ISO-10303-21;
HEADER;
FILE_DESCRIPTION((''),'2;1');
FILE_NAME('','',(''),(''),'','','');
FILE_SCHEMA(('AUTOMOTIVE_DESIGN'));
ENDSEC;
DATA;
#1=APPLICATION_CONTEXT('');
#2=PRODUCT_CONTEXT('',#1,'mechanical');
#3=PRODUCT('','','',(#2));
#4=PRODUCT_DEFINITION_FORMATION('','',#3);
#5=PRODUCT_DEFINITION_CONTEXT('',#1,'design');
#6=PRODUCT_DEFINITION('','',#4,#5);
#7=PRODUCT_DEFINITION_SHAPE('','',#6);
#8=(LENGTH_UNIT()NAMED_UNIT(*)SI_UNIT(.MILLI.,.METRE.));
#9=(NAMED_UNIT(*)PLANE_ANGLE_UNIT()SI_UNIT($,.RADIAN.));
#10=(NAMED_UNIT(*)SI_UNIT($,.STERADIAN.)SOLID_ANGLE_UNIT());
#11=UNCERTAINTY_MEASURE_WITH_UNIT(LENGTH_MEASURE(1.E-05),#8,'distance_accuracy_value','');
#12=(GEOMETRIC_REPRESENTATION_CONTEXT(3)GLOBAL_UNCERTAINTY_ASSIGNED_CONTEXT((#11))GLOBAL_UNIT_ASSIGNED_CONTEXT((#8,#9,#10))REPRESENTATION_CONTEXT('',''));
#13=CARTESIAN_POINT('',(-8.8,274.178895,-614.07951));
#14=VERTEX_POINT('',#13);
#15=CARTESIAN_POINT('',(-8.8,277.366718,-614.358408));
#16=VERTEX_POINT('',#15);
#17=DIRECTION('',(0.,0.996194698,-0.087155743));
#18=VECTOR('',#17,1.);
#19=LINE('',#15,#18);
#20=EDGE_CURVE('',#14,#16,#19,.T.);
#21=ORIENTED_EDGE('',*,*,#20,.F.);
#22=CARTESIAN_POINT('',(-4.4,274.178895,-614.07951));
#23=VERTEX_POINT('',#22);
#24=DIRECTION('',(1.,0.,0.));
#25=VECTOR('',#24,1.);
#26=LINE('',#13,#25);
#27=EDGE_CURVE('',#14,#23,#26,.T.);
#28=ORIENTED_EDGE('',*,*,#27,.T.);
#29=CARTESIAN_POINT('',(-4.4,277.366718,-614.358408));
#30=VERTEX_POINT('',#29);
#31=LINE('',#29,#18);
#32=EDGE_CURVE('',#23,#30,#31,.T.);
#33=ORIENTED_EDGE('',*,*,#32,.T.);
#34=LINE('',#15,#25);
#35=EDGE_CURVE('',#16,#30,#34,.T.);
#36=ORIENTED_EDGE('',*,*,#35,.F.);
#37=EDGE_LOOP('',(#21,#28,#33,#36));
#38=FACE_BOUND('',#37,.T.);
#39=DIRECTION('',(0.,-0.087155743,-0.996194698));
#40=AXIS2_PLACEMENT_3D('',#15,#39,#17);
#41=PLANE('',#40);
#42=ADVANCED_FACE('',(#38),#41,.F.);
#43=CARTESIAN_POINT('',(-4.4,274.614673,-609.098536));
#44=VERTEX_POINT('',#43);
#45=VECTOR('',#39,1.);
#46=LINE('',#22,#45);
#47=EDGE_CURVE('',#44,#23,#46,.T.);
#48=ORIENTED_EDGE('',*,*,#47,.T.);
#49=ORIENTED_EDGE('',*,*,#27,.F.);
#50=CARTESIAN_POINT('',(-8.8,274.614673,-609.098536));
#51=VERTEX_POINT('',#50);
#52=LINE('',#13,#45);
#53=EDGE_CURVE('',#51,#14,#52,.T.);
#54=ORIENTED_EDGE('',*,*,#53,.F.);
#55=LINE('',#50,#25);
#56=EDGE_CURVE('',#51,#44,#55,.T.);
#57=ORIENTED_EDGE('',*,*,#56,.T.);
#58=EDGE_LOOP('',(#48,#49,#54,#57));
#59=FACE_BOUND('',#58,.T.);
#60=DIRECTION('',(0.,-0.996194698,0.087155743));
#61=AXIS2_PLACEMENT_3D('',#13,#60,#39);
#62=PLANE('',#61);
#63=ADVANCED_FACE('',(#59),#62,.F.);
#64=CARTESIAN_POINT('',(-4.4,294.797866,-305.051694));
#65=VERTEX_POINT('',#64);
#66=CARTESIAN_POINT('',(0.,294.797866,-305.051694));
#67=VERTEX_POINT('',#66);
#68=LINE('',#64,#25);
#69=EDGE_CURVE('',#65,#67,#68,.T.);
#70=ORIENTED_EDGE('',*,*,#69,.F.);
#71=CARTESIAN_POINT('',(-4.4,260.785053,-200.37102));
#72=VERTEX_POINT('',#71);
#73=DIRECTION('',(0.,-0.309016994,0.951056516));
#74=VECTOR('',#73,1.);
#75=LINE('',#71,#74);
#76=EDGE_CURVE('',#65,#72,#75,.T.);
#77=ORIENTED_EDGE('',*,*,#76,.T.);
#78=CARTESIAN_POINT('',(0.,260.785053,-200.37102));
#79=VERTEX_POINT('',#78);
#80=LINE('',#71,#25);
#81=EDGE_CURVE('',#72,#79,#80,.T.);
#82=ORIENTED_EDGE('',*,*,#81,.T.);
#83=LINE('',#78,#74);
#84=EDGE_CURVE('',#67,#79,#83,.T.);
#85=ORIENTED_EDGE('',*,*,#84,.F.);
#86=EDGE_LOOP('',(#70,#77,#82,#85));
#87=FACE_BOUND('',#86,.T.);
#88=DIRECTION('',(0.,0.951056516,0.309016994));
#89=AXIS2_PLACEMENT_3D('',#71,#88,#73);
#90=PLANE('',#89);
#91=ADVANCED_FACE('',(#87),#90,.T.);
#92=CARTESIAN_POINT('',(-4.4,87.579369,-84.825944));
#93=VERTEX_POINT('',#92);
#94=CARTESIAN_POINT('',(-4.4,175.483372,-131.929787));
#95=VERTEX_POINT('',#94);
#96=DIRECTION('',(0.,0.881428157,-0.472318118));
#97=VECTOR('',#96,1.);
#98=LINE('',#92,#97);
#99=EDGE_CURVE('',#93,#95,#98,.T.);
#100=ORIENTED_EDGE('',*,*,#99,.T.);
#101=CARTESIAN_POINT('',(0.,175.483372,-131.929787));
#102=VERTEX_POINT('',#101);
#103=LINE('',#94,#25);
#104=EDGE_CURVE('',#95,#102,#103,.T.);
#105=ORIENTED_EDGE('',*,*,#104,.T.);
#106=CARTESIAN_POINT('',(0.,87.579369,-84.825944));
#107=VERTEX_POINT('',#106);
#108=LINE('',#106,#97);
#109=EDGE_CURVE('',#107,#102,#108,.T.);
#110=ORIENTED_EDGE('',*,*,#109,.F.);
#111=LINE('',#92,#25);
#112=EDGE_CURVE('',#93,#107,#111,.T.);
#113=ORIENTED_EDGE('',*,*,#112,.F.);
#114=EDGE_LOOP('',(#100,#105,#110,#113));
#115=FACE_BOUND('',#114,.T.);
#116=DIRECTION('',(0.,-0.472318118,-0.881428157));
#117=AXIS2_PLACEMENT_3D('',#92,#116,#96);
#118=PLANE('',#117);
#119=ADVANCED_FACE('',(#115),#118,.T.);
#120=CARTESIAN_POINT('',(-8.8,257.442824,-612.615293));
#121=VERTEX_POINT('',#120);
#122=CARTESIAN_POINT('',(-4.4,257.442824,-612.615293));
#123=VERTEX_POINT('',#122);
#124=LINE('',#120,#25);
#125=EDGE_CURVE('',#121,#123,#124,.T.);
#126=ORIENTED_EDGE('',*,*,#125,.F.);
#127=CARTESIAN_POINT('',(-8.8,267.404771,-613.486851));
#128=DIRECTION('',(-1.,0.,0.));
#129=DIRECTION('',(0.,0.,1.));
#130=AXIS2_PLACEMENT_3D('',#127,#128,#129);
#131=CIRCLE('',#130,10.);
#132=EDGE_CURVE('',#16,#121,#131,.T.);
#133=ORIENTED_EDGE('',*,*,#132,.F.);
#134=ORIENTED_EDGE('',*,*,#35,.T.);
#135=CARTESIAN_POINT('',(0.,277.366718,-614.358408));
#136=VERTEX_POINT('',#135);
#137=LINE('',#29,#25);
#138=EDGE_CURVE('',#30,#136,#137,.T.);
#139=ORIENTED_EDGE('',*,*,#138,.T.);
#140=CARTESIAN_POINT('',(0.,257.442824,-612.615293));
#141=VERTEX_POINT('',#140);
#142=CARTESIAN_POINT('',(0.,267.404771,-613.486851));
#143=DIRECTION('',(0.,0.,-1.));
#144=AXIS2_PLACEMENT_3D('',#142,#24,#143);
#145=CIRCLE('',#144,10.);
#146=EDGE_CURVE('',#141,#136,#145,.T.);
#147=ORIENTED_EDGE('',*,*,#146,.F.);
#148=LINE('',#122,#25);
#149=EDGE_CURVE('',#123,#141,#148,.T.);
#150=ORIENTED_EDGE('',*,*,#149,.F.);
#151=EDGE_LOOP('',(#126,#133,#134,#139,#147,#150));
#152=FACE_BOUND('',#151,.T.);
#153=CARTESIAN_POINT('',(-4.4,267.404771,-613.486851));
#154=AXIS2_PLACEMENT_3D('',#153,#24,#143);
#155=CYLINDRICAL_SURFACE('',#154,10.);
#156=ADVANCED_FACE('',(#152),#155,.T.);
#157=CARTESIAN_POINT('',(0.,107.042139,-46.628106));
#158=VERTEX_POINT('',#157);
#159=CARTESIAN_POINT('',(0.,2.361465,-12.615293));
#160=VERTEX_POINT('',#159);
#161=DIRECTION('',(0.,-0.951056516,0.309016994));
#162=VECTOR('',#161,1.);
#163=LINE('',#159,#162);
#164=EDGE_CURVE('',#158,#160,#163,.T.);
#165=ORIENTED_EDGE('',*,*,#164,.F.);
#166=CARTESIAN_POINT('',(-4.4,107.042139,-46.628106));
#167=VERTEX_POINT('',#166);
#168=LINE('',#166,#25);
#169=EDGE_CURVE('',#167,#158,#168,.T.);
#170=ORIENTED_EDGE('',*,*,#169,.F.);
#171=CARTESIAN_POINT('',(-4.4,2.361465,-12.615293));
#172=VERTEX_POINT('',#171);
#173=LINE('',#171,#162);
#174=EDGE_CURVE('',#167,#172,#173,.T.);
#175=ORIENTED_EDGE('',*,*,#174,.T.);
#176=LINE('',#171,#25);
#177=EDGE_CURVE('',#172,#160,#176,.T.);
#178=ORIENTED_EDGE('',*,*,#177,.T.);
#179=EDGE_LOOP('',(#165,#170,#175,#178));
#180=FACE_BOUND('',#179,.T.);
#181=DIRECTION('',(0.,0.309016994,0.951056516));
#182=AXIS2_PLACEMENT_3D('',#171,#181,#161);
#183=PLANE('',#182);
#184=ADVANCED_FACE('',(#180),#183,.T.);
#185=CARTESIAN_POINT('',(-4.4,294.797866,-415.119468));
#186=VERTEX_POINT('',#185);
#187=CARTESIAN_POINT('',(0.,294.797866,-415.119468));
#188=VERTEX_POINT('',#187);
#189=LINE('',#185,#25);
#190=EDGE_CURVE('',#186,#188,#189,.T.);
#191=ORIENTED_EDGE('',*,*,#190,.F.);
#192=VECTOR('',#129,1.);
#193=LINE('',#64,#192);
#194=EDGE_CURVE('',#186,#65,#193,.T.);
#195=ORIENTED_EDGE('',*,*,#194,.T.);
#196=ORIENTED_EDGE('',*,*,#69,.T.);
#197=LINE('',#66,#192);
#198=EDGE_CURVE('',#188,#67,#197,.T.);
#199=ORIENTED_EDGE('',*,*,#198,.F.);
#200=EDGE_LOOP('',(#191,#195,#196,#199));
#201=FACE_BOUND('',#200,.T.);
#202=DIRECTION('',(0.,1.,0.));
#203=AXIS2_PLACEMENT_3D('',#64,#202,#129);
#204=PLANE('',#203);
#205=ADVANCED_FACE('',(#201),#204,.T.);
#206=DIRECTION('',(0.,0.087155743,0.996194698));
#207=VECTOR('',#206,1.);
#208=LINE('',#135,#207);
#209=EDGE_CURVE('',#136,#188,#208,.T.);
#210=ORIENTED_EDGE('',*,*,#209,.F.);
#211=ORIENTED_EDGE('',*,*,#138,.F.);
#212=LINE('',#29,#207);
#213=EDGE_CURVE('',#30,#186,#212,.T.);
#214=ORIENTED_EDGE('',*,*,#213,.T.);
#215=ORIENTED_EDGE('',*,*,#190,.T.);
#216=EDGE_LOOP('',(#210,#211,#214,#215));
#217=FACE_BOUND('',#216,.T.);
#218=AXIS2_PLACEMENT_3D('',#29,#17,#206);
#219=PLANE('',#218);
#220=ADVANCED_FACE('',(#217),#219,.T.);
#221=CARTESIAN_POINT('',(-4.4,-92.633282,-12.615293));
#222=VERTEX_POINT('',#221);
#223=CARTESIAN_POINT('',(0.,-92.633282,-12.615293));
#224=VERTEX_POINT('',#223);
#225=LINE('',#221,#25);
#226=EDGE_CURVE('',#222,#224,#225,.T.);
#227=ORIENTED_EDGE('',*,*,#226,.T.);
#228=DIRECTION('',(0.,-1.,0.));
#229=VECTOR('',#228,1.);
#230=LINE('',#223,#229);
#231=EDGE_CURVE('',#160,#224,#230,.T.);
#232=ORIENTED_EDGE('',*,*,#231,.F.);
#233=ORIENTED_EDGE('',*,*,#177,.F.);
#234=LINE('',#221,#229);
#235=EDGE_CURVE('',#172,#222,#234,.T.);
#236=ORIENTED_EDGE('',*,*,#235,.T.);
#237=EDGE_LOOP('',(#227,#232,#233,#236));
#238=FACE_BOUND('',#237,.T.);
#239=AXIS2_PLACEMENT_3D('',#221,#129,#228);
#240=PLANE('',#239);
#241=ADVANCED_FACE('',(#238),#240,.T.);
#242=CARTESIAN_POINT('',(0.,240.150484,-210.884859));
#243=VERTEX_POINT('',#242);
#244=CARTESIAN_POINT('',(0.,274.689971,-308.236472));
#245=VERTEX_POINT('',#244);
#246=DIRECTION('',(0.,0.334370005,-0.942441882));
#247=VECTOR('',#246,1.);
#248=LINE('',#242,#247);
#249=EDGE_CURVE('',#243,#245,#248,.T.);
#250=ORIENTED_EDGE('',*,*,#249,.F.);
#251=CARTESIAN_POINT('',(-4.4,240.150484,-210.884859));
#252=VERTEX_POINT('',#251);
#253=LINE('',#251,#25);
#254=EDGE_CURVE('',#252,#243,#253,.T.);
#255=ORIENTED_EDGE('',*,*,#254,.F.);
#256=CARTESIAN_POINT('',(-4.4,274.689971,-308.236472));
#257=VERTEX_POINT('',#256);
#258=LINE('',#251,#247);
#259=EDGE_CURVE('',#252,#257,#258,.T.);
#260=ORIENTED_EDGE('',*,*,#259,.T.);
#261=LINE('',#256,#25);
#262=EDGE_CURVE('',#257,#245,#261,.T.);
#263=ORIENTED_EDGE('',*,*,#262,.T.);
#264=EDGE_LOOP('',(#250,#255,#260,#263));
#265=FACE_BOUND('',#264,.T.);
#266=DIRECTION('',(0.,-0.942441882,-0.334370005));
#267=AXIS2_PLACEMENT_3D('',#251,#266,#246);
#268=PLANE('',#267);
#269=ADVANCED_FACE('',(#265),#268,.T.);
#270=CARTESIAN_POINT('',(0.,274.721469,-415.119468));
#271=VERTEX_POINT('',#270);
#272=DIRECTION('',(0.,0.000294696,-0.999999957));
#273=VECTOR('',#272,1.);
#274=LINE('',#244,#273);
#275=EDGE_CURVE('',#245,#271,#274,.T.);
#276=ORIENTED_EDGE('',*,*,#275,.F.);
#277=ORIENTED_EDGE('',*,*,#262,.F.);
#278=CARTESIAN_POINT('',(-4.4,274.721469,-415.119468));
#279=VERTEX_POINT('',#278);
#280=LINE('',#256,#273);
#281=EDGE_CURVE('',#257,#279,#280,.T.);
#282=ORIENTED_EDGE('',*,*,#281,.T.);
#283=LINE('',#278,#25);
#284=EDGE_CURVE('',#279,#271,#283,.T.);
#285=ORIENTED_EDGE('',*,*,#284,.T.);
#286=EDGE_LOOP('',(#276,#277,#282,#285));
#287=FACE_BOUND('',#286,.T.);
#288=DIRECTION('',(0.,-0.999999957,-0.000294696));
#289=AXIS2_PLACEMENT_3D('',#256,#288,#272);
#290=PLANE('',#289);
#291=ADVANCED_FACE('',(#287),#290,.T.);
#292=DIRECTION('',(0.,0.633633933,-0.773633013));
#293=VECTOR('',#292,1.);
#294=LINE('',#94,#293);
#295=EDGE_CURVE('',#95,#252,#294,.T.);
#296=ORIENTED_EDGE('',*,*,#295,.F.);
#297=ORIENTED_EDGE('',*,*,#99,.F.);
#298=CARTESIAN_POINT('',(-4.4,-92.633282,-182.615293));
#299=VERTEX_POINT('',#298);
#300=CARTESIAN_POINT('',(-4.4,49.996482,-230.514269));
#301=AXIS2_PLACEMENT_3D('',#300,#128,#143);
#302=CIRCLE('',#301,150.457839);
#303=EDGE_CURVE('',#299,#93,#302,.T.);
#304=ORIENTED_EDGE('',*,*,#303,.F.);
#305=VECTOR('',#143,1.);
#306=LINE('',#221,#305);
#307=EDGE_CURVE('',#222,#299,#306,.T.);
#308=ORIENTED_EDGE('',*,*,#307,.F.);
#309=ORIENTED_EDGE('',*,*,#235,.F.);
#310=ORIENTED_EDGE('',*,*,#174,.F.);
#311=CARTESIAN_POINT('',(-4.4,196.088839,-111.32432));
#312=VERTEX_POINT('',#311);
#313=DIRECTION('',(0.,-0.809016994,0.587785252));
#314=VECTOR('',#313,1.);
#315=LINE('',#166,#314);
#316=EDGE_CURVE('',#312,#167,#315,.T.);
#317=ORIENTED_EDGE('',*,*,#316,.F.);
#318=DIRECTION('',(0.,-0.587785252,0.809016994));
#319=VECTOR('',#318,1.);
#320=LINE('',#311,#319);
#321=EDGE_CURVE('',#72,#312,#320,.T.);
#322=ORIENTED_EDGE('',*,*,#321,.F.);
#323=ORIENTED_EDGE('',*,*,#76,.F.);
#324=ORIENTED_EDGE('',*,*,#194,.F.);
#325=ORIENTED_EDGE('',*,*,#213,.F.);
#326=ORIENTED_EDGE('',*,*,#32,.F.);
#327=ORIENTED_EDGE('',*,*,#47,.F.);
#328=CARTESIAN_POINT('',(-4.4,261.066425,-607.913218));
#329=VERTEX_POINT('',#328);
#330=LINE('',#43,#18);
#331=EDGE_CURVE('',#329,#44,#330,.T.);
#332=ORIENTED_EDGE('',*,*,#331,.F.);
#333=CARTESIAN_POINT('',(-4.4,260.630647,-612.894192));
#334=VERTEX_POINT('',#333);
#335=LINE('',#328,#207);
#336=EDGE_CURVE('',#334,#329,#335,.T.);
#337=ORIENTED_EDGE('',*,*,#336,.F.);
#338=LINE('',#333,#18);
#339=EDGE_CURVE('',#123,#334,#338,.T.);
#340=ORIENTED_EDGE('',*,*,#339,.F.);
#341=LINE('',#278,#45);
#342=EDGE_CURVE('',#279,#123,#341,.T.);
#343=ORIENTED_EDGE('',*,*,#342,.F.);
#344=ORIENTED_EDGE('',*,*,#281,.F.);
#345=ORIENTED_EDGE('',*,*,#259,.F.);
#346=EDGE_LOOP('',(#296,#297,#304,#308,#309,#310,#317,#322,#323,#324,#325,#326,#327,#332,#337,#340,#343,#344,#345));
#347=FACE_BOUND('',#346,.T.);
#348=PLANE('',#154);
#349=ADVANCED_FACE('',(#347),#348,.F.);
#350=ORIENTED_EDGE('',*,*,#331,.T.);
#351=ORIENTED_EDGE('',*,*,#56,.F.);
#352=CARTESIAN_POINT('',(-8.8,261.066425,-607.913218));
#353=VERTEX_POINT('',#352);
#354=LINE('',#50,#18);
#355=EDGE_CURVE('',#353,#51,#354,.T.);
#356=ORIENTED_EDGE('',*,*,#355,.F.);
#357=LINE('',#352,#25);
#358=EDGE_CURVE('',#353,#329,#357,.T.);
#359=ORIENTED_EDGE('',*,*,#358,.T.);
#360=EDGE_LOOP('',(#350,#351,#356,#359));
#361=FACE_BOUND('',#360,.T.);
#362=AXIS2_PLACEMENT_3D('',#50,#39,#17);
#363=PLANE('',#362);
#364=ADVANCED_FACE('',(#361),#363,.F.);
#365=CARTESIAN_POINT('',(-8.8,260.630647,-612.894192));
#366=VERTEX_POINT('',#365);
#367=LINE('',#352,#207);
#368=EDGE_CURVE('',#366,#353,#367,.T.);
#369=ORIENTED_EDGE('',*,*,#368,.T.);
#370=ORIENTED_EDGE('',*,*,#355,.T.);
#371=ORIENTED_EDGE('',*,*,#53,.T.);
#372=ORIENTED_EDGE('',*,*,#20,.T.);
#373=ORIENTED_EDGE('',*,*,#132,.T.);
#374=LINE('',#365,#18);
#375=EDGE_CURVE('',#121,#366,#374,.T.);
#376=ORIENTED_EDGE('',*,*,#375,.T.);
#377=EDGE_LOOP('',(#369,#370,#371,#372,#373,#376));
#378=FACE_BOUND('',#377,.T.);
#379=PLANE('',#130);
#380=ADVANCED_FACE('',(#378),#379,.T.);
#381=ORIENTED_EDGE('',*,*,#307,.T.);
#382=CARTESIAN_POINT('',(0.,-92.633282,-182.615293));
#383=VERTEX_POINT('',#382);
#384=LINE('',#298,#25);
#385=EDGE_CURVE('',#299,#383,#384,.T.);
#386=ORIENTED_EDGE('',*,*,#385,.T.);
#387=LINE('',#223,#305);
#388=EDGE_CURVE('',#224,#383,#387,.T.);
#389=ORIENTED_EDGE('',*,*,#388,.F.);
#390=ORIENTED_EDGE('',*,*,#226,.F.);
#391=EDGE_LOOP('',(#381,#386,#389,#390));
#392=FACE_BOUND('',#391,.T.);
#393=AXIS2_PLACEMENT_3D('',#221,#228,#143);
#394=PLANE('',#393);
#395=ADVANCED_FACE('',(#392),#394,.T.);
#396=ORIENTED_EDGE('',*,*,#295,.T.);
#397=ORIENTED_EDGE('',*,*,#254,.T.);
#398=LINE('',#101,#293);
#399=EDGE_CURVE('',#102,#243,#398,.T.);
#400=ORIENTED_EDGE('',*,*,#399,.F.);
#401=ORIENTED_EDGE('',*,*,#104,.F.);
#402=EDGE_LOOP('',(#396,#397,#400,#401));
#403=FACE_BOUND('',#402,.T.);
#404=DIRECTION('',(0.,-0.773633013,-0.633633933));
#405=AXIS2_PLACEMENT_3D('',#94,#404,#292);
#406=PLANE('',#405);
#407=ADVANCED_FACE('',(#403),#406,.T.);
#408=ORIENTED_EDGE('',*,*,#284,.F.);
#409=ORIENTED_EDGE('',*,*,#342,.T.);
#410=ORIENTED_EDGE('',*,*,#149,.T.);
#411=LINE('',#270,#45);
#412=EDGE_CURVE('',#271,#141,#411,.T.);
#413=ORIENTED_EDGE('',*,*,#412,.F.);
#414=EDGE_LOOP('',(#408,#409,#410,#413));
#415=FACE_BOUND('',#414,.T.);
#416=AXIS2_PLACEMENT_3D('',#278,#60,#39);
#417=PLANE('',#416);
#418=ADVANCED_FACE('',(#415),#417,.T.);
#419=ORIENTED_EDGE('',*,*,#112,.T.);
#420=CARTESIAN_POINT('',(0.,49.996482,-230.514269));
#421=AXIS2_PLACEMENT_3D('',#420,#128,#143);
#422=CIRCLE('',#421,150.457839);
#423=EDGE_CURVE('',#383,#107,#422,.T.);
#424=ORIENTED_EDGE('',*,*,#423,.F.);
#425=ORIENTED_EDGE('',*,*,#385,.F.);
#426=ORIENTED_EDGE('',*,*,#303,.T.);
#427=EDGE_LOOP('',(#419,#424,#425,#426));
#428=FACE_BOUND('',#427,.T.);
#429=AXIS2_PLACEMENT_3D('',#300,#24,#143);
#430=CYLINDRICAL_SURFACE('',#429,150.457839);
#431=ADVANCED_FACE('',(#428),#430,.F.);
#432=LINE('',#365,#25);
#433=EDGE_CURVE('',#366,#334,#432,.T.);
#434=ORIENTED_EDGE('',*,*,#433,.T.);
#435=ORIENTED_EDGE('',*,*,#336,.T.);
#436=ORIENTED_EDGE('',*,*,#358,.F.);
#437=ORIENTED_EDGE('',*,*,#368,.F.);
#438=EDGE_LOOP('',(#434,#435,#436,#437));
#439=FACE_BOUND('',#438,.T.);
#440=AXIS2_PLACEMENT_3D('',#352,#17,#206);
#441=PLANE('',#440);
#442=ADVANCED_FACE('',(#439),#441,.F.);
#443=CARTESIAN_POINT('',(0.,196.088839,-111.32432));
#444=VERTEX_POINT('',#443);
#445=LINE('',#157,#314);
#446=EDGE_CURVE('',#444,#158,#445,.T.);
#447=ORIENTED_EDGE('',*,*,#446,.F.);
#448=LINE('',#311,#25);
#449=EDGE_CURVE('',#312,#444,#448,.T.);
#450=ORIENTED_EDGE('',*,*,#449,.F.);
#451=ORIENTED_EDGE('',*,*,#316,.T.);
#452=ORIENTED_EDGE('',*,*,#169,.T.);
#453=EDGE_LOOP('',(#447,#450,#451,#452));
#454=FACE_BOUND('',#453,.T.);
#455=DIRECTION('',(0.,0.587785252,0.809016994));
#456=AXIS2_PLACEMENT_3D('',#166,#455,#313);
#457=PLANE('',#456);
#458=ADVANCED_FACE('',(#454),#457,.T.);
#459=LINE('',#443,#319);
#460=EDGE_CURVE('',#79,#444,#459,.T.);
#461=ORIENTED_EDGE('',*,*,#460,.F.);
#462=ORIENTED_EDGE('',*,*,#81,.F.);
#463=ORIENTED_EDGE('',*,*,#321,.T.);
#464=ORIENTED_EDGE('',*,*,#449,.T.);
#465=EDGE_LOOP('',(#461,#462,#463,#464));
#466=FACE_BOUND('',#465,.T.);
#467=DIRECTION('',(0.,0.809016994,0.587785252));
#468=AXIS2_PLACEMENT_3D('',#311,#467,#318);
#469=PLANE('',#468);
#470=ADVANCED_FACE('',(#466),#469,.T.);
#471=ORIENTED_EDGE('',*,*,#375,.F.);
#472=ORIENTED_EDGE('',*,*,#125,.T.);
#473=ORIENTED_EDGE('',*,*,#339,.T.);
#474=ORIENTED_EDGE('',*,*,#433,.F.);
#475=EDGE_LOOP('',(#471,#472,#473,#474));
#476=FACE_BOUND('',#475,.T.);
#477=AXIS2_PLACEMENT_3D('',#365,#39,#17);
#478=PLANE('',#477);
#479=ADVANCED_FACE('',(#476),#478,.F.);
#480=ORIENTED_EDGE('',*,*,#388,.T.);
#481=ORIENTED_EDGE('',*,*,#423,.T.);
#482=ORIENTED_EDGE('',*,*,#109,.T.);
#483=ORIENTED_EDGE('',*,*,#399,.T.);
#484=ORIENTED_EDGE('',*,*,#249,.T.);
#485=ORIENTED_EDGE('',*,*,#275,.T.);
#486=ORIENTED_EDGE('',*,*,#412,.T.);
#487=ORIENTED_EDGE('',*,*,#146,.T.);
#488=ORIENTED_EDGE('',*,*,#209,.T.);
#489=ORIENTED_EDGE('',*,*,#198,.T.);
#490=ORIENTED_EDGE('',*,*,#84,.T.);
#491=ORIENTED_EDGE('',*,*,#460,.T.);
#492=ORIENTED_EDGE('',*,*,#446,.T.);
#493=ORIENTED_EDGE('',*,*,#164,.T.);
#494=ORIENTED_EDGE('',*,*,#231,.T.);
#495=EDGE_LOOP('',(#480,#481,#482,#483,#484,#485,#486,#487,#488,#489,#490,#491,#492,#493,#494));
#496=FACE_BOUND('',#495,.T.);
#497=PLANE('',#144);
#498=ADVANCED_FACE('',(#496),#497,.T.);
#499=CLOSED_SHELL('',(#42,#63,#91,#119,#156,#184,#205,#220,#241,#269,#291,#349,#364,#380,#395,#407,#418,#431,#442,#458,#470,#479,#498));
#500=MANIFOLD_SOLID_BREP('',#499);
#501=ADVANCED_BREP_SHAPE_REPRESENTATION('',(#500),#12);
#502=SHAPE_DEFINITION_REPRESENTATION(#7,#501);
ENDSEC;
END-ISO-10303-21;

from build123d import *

# Parameters (mm, degrees)
BOSS_EXTRUDE1_DEPTH = 4.4
BOSS_EXTRUDE2_DEPTH = 4.4


with BuildPart() as part:
    # Sketch1 → Boss-Extrude1 (new body)
    with BuildSketch(Plane(origin=(0, 0, 0), x_dir=(0, 0, -1), z_dir=(1, 0, 0))):
        with BuildLine():
            Line((12.615293263, -92.633282396), (182.615293263, -92.633282396))
            ThreePointArc((182.615293263, -92.633282396), (98.271459614, -21.762843967), (84.825943994, 87.579368501))
            Line((84.825943994, 87.579368501), (131.929787104, 175.483372313))
            Line((131.929787104, 175.483372313), (210.884858569, 240.150484061))
            Line((210.884858569, 240.150484061), (308.236471933, 274.689971372))
            Line((308.236471933, 274.689971372), (415.1194685, 274.721469403))
            Line((415.1194685, 274.721469403), (612.615293263, 257.442823643))
            ThreePointArc((612.615293263, 257.442823643), (623.448797672, 266.533213196), (614.358408118, 277.366717604))
            Line((614.358408118, 277.366717604), (415.1194685, 294.797866154))
            Line((415.1194685, 294.797866154), (305.051694272, 294.797866154))
            Line((305.051694272, 294.797866154), (200.371020359, 260.785053385))
            Line((200.371020359, 260.785053385), (111.324320476, 196.088838941))
            Line((111.324320476, 196.088838941), (46.628106033, 107.042139058))
            Line((46.628106033, 107.042139058), (12.615293263, 2.361465145))
            Line((12.615293263, 2.361465145), (12.615293263, -92.633282396))
        make_face()
    extrude(amount=-BOSS_EXTRUDE1_DEPTH)

    # Sketch2 → Boss-Extrude2 (add)
    with BuildSketch(Plane.ZY.offset(4.4)):
        with BuildLine():
            Line((-614.358408118, 277.366717604), (-614.079509741, 274.178894571))
            Line((-614.079509741, 274.178894571), (-609.098536251, 274.614673284))
            Line((-609.098536251, 274.614673284), (-607.91321815, 261.06642539))
            Line((-607.91321815, 261.06642539), (-612.89419164, 260.630646676))
            Line((-612.89419164, 260.630646676), (-612.615293263, 257.442823643))
            ThreePointArc((-612.615293263, 257.442823643), (-623.448797672, 266.533213196), (-614.358408118, 277.366717604))
        make_face()
    extrude(amount=BOSS_EXTRUDE2_DEPTH)


solid = part.part
